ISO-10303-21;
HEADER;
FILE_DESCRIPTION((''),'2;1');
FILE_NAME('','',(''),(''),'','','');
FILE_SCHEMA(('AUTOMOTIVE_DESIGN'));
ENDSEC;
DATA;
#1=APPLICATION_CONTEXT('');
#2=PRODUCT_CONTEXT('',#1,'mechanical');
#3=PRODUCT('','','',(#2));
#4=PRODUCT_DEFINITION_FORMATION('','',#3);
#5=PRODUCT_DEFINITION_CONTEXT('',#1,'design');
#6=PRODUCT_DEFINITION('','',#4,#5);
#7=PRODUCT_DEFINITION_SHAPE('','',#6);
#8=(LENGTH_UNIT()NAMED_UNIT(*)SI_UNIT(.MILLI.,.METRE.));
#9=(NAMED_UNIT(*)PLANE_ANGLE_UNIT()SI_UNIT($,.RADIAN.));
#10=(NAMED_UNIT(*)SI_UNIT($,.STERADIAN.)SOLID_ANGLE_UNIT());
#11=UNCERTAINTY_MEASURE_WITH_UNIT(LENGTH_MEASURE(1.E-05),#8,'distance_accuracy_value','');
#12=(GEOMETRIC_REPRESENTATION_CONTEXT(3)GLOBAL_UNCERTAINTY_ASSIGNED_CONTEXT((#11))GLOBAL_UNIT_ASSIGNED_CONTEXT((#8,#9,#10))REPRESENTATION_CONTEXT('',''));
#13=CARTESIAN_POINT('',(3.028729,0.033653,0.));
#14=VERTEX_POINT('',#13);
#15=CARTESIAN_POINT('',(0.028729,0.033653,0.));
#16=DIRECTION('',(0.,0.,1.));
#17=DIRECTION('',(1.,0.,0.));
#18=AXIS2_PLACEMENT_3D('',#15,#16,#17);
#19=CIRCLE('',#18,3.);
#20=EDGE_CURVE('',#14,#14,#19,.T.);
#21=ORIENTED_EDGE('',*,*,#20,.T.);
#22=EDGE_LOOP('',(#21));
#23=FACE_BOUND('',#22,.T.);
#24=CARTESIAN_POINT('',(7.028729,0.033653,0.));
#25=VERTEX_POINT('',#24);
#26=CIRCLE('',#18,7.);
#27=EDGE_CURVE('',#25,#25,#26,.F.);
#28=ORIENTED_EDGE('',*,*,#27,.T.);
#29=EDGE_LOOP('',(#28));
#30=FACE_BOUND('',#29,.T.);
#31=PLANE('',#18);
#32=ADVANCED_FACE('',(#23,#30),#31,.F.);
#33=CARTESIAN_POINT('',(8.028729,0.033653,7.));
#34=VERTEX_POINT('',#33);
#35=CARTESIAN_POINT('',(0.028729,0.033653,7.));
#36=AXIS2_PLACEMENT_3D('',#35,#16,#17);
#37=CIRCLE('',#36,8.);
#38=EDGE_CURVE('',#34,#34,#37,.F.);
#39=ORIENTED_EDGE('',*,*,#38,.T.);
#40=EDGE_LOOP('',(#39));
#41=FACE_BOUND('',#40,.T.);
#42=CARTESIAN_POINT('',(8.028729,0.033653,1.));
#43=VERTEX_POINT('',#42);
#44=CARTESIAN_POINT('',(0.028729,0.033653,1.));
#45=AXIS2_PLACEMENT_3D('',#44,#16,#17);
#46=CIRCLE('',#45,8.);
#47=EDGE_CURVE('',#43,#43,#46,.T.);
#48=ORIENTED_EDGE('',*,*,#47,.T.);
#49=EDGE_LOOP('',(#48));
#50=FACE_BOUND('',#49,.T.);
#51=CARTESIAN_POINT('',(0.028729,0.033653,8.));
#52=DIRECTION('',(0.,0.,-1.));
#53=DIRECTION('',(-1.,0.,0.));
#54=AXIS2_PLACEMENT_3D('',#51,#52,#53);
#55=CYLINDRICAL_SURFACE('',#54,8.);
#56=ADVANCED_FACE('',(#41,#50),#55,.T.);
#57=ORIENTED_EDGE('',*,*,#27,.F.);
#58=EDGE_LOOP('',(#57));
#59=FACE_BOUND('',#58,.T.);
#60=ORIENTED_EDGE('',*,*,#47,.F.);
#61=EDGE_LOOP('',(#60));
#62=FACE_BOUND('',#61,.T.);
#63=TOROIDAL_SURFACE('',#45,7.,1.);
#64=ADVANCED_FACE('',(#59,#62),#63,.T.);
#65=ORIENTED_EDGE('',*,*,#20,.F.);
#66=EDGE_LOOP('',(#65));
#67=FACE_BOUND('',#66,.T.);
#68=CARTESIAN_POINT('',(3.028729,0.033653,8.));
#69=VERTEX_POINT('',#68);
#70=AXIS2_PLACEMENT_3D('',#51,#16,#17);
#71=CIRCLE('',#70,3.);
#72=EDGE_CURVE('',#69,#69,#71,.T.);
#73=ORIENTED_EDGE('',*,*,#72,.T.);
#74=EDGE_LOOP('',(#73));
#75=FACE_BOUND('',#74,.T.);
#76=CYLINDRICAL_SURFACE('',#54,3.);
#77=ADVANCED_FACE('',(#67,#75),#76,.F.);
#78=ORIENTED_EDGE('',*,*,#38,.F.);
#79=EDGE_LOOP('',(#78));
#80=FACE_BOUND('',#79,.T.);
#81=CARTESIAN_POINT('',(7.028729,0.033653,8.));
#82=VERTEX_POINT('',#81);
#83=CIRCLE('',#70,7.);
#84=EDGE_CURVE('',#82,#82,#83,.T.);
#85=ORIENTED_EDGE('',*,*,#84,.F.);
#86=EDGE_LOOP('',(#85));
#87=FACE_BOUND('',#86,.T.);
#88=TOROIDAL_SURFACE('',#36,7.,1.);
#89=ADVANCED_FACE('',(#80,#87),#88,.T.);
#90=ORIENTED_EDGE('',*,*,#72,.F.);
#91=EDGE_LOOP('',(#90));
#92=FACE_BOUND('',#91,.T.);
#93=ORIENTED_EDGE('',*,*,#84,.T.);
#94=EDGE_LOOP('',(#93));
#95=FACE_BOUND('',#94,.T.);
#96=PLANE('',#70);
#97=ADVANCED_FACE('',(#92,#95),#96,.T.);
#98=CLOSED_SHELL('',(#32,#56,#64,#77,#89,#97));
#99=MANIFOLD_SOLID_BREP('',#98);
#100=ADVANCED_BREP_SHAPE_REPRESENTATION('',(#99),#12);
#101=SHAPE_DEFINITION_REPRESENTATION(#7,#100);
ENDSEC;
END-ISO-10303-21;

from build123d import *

# Parameters (mm, degrees)
SKETCH1_R           = 8
SKETCH1_R_2         = 3
BOSS_EXTRUDE1_DEPTH = 8
FILLET1_R           = 1


with BuildPart() as part:
    # Sketch1 → Boss-Extrude1 (new body)
    with BuildSketch(Plane.XY):
        with Locations((0.028728991, 0.033652542)):
            Circle(SKETCH1_R)
        with Locations((0.028728991, 0.033652542)):
            Circle(SKETCH1_R_2, mode=Mode.SUBTRACT)
    extrude(amount=BOSS_EXTRUDE1_DEPTH)

    # Fillet1
    fillet1_edges = [part.edges().sort_by_distance(p)[0] for p in [
        (-7.971271009, 0.033652542, 0),
        (-7.971271009, 0.033652542, 8),
    ]]
    fillet(fillet1_edges, radius=FILLET1_R)


solid = part.part
